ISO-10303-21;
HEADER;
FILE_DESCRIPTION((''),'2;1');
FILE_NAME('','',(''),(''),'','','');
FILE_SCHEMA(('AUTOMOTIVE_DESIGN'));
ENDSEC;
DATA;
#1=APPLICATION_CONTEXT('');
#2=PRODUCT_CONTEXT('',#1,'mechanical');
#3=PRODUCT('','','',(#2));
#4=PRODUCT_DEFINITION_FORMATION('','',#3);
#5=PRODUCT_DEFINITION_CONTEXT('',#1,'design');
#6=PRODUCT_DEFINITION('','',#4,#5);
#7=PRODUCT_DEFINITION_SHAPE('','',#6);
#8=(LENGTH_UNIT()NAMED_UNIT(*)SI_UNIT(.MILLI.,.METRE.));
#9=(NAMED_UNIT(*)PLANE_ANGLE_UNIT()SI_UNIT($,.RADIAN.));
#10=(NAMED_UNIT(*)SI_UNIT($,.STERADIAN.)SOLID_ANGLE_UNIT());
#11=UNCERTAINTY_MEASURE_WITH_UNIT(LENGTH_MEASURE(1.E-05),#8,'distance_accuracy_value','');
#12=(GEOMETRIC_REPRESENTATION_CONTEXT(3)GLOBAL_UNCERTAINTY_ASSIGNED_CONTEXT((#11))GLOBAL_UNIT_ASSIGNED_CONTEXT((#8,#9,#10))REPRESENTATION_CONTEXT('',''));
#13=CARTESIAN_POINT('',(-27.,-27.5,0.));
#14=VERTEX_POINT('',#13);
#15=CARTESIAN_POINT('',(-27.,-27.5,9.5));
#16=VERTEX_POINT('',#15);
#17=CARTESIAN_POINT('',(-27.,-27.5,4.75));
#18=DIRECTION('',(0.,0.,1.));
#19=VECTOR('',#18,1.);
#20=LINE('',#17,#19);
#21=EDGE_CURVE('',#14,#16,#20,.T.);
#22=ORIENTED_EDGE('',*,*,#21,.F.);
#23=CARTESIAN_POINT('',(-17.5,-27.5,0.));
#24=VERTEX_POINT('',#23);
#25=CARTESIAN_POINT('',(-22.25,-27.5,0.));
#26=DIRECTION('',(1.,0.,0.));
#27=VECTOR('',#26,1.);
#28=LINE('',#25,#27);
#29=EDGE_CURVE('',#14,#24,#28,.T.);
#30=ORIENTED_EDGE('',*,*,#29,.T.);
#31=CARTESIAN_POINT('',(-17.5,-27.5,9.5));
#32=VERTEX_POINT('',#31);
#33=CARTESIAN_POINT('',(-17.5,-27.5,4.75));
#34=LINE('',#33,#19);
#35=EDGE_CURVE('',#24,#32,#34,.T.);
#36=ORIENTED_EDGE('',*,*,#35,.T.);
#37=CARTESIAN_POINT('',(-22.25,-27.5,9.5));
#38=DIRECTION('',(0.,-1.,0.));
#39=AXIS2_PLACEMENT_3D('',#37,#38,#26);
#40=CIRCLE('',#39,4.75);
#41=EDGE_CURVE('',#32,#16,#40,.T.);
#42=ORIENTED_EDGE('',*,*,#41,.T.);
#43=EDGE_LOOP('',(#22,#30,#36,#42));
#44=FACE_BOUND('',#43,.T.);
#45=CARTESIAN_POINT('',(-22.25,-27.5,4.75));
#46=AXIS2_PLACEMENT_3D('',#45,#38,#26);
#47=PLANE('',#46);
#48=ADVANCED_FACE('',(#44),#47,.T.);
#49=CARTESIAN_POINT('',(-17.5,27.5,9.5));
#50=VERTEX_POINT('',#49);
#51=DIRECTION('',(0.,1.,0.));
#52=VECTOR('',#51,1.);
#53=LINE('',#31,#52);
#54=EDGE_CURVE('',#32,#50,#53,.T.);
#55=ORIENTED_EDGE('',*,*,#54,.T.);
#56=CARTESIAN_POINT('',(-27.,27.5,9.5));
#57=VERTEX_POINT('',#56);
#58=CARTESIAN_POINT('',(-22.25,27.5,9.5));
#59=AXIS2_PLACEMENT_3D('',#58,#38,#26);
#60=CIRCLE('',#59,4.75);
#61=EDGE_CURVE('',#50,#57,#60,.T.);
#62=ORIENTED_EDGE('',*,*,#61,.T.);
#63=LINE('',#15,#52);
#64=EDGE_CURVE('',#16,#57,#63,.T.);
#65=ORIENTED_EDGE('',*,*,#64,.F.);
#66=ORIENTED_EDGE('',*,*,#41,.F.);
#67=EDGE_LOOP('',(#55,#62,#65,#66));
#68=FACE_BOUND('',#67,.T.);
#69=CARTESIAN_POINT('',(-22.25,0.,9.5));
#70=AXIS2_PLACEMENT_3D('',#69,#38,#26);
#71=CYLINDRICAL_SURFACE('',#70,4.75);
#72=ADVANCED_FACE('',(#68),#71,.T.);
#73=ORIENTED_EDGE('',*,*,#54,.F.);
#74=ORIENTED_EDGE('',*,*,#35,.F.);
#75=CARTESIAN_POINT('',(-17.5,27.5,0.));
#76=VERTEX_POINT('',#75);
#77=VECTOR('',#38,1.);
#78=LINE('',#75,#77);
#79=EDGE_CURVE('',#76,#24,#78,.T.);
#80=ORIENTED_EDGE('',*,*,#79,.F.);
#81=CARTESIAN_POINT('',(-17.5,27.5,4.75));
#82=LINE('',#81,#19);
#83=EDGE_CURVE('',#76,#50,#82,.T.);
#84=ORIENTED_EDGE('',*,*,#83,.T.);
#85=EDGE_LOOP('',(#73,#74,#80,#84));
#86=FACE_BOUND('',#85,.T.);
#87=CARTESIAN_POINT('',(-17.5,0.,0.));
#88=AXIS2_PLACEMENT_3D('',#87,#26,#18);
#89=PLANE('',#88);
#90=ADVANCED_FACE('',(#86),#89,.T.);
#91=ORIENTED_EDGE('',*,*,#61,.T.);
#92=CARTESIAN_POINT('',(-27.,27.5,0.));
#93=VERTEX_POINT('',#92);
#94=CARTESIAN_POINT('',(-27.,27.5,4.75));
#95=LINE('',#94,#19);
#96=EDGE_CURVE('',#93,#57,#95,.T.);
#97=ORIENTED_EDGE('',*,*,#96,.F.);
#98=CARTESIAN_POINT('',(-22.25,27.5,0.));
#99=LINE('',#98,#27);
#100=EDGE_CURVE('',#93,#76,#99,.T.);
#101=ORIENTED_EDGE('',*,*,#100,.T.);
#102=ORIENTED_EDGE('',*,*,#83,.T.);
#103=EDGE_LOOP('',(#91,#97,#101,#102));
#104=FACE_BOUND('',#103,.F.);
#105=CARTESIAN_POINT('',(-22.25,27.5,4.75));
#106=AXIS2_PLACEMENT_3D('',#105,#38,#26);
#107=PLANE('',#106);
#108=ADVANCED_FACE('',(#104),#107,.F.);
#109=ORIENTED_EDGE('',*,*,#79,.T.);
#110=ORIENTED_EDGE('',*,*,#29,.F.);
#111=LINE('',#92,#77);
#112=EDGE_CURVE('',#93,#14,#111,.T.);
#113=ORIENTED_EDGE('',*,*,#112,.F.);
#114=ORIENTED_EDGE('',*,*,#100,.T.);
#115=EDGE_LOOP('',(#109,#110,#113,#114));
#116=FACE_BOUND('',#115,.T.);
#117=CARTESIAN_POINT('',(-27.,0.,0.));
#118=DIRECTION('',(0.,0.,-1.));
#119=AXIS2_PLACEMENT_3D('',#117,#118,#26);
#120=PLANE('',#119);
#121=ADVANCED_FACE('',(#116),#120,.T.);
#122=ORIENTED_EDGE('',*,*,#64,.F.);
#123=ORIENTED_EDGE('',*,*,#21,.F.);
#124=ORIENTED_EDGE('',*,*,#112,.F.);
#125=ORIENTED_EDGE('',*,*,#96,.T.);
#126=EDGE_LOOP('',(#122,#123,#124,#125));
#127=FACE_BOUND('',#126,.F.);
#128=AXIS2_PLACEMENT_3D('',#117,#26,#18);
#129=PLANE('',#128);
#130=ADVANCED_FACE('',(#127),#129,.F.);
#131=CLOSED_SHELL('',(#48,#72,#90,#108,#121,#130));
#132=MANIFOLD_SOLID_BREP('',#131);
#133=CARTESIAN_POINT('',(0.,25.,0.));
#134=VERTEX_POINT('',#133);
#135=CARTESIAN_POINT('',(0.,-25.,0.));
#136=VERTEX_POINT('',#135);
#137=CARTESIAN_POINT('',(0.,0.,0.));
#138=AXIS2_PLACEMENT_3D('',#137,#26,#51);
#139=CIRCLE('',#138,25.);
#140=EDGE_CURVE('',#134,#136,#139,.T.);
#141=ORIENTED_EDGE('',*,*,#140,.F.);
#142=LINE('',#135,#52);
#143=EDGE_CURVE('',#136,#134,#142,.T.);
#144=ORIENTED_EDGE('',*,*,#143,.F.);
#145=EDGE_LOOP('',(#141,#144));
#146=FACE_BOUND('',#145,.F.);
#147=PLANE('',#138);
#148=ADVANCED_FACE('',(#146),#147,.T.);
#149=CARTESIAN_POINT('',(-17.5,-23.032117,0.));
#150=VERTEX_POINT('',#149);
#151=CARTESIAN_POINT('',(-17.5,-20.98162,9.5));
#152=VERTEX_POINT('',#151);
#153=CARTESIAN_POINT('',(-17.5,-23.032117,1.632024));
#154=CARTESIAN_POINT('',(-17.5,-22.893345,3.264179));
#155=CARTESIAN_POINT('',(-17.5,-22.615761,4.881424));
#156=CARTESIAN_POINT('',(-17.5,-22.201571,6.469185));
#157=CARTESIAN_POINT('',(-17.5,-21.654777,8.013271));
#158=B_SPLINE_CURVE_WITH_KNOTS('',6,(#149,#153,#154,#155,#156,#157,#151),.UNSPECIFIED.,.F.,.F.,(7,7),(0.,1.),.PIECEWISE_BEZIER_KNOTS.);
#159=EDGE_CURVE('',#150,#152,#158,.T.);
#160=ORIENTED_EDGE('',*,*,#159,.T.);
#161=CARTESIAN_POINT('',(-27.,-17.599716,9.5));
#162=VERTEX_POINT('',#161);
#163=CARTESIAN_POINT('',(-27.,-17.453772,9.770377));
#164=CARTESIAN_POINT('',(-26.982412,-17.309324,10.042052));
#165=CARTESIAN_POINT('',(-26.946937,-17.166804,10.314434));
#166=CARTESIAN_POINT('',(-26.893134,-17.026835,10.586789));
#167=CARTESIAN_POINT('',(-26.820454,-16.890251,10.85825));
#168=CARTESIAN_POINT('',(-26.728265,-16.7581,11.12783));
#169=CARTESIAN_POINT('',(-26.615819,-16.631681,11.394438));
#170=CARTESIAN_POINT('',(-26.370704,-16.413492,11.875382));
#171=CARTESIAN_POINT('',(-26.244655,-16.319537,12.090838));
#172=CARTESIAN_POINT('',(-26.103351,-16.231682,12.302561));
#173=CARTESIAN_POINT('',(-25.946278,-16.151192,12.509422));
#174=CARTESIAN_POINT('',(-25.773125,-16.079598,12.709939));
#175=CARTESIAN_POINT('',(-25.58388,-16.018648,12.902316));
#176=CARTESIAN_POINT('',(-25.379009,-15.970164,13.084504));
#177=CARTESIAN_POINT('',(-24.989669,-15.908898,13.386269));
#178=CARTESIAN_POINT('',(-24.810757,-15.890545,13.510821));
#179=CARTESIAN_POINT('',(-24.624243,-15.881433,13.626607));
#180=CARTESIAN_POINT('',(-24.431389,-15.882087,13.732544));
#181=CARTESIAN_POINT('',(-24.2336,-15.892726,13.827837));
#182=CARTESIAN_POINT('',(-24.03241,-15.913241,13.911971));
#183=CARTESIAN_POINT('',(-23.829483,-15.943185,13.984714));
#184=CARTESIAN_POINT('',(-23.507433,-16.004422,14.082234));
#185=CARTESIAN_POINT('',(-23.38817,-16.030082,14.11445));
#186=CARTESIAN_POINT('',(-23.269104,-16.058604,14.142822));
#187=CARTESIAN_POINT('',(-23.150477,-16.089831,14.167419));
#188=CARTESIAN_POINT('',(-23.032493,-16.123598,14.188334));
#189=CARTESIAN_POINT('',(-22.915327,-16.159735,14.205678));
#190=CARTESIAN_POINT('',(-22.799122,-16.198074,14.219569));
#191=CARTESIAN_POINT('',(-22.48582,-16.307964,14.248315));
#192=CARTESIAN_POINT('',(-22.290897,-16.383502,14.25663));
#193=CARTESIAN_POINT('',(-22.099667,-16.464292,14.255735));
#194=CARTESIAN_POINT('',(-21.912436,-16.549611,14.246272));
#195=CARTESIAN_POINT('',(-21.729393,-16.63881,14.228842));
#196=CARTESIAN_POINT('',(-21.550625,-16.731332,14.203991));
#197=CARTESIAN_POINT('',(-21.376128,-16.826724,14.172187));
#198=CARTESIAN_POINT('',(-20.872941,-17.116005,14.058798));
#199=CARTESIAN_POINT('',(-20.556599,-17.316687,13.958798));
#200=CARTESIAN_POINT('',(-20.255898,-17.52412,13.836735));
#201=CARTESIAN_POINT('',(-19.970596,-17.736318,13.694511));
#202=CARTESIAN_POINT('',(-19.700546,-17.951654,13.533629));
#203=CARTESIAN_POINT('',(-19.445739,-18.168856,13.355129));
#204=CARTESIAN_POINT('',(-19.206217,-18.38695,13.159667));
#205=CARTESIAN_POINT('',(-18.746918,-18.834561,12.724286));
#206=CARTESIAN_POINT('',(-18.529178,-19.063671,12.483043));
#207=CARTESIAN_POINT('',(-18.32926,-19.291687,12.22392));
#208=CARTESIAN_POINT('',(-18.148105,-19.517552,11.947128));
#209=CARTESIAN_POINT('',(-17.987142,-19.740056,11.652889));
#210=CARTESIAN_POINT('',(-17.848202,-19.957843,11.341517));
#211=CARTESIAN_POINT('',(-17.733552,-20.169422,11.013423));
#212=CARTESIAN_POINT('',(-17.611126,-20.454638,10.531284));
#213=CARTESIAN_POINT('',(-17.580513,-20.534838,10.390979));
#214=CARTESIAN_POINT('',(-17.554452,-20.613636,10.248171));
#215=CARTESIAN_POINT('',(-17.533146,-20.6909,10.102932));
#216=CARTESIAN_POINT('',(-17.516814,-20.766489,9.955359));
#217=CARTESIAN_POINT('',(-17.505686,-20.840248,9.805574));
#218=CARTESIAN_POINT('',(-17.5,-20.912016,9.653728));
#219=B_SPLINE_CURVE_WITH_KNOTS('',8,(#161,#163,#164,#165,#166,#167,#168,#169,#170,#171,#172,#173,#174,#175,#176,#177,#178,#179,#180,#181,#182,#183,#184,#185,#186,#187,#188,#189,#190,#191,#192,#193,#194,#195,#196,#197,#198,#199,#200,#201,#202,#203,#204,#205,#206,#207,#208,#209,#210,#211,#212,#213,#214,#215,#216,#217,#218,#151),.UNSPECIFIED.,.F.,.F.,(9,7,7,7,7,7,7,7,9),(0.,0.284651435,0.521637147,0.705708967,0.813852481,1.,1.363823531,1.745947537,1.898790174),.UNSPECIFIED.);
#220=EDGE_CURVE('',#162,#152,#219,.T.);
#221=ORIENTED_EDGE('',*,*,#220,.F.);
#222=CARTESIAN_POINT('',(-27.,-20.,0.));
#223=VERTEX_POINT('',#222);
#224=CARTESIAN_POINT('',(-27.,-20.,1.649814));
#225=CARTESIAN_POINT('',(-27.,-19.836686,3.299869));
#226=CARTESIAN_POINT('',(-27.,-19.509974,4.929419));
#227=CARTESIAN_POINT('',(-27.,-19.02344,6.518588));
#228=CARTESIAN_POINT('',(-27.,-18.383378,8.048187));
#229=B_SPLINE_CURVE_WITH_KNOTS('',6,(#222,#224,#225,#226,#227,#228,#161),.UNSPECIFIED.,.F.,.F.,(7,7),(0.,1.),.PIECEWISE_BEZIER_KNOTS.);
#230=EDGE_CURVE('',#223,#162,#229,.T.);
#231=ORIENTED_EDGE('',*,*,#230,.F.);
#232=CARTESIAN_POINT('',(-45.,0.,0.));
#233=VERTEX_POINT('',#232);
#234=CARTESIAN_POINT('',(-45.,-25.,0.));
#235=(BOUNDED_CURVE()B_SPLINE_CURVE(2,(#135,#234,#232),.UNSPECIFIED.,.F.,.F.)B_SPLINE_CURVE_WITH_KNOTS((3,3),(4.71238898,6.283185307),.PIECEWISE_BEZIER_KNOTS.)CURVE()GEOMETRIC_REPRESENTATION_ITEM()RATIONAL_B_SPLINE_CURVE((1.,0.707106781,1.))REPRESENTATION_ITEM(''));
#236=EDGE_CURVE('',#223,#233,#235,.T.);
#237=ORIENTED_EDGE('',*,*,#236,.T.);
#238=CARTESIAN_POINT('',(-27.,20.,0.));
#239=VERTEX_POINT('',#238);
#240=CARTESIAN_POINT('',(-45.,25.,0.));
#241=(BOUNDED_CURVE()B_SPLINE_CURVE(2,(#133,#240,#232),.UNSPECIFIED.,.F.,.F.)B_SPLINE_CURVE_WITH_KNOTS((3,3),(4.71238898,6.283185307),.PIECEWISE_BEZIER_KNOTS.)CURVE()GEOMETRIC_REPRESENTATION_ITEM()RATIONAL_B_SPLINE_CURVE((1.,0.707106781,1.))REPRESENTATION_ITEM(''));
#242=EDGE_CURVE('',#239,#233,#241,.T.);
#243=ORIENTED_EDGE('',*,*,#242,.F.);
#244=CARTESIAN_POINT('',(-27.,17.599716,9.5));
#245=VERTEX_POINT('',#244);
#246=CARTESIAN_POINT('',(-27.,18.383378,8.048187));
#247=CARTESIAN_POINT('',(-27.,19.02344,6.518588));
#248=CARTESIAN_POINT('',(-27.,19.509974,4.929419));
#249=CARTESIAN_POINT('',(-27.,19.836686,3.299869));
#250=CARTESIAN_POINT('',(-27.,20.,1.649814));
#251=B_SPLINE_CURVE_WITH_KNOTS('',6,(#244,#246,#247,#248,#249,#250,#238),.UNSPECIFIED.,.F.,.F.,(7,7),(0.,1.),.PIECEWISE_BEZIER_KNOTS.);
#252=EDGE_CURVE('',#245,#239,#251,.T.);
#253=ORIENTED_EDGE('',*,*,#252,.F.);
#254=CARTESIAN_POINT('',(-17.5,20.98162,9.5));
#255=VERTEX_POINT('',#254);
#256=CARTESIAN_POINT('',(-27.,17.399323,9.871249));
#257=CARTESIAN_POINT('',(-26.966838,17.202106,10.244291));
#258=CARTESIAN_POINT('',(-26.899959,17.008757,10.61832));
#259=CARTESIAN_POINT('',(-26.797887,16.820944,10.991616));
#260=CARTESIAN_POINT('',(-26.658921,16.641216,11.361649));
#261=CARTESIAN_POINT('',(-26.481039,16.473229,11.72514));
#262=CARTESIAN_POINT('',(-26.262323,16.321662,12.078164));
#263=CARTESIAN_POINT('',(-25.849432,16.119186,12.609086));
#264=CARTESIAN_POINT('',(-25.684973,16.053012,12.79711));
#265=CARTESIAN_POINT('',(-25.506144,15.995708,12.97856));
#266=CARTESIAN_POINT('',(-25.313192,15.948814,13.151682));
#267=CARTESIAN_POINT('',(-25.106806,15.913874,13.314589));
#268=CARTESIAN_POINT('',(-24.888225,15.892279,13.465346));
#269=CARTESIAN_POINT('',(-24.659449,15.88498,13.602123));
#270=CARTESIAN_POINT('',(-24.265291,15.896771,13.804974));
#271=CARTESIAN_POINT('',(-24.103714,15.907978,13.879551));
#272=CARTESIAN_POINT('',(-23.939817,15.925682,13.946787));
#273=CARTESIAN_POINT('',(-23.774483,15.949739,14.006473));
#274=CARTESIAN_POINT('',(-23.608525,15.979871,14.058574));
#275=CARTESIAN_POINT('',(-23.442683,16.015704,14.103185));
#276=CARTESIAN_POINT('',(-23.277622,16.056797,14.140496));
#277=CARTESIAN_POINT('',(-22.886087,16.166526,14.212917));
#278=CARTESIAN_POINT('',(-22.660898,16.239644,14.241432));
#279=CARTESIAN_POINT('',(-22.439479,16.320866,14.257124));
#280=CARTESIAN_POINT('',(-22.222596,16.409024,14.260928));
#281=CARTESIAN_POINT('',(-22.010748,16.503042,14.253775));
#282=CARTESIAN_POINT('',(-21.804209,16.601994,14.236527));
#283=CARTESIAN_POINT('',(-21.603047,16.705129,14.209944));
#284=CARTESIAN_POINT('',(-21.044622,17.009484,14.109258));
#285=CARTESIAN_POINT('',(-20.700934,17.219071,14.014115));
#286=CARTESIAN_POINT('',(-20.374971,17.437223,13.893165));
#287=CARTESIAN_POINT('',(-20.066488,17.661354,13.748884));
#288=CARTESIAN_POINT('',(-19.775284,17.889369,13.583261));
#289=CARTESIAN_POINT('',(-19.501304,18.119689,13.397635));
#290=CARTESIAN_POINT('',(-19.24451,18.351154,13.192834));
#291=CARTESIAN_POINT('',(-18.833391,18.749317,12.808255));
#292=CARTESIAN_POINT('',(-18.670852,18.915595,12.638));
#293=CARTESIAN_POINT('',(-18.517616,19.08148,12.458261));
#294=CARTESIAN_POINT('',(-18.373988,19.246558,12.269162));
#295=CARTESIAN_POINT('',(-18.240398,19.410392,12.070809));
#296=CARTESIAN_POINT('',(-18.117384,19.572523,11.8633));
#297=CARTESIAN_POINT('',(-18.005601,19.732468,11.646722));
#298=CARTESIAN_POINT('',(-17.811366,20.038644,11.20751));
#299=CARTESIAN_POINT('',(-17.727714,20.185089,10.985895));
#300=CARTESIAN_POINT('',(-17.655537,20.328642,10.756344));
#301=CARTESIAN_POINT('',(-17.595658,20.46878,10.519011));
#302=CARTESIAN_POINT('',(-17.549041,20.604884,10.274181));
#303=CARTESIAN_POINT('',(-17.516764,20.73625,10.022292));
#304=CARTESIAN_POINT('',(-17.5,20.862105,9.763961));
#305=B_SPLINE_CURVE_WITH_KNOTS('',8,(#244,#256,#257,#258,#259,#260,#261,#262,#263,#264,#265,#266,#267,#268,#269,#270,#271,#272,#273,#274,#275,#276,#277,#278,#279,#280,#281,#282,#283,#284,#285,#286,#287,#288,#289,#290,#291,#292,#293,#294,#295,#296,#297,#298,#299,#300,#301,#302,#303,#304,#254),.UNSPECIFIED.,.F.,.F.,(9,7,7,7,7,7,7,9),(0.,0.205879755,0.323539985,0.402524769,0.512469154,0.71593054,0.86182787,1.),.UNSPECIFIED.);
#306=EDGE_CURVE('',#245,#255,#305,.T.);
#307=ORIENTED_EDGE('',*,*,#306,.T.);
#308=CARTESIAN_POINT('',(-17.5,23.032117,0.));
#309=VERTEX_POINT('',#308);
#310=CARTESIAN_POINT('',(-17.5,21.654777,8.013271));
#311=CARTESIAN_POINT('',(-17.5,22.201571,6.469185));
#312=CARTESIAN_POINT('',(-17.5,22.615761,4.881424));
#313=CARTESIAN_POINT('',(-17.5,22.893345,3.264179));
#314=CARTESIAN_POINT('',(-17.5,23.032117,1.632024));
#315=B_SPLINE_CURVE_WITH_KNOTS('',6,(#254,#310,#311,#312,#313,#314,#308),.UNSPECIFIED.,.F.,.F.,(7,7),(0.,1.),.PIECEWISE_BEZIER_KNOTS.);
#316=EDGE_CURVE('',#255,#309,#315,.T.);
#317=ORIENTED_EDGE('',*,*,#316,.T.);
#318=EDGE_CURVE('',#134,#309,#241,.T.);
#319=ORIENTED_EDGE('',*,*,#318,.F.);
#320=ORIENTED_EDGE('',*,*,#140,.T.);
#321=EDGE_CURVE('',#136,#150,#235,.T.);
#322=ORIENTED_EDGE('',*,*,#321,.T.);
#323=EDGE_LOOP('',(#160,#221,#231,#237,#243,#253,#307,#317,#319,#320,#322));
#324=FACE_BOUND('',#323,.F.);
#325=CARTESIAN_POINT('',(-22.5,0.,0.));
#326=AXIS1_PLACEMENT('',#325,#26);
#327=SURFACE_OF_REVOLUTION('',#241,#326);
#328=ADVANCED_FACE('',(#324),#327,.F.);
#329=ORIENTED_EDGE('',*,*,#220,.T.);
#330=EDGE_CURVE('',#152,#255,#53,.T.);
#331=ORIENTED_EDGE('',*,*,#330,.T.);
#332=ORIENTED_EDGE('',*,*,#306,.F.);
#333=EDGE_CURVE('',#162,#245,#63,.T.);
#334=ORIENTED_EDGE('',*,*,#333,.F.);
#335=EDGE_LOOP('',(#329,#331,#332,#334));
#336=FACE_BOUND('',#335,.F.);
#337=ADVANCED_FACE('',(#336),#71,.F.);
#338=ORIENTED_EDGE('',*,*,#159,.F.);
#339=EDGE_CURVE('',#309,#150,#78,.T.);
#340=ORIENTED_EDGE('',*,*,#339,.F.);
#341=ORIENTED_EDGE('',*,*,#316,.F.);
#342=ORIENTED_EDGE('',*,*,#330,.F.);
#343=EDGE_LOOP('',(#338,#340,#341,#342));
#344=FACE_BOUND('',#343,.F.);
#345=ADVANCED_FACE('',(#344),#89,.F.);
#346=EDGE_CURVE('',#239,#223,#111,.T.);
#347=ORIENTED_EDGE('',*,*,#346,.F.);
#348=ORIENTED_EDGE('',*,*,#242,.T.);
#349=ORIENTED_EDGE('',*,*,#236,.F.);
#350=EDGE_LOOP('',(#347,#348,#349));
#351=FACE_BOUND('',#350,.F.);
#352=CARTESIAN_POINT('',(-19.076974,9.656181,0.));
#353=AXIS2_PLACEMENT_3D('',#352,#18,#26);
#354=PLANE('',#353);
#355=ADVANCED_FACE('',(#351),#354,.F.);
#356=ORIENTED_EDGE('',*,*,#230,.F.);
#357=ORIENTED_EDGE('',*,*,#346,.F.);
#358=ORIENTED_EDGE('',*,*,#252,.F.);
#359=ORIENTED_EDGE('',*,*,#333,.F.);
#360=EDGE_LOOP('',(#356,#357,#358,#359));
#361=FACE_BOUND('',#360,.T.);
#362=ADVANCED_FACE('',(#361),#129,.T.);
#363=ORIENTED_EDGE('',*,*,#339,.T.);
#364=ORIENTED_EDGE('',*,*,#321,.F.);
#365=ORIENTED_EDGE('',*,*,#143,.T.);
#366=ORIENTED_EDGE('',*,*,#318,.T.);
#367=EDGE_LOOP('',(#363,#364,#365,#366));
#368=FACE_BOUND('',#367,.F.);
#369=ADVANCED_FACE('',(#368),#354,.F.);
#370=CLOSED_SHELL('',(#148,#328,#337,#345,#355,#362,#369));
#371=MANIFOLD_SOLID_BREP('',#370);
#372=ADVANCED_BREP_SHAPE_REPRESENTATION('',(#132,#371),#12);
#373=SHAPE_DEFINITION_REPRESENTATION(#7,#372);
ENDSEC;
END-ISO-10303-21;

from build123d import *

# Parameters (mm, degrees)
F1_ANGLE_BACK = 90
F1_ANGLE      = 180
F2_W          = 9.5
F2_H          = 9.5
F3_DEPTH      = 27.5


with BuildPart() as f1:
    # F0 (on Front) → F1 (revolve)
    with BuildSketch(Plane.XZ, mode=Mode.PRIVATE) as f1_sk:
        with BuildLine():
            Line((0, 0), (0, 25))
            add(Edge.make_bspline(
                [(0, 25), (-45, 25), (-45, 0)],
                knots=[4.7123889804, 4.7123889804, 4.7123889804, 6.2831853072, 6.2831853072, 6.2831853072], degree=2, weights=[1, 0.7071067812, 1]))
            Line((-45, 0), (0, 0))
        make_face()
    revolve(f1_sk.sketch.rotate(Axis((-22.5, 0, 0), (1, 0, 0)), -F1_ANGLE_BACK), axis=Axis((-22.5, 0, 0), (1, 0, 0)), revolution_arc=F1_ANGLE)


with BuildPart() as f3:
    # F2 (on Front) → F3 (new body, symmetric)
    with BuildSketch(Plane.XZ):
        with Locations((-22.25, 4.75)):
            Rectangle(F2_W, F2_H)
        with BuildLine():
            ThreePointArc((-17.5, 9.5), (-22.25, 14.25), (-27, 9.5))
            Line((-27, 9.5), (-17.5, 9.5))
        make_face()
    extrude(amount=F3_DEPTH, both=True)


with BuildPart() as f1_1:
    add(f1.part)

    # F4: cut F3
    add(f3.part, mode=Mode.SUBTRACT)


solid = Compound([f3.part, f1_1.part])
